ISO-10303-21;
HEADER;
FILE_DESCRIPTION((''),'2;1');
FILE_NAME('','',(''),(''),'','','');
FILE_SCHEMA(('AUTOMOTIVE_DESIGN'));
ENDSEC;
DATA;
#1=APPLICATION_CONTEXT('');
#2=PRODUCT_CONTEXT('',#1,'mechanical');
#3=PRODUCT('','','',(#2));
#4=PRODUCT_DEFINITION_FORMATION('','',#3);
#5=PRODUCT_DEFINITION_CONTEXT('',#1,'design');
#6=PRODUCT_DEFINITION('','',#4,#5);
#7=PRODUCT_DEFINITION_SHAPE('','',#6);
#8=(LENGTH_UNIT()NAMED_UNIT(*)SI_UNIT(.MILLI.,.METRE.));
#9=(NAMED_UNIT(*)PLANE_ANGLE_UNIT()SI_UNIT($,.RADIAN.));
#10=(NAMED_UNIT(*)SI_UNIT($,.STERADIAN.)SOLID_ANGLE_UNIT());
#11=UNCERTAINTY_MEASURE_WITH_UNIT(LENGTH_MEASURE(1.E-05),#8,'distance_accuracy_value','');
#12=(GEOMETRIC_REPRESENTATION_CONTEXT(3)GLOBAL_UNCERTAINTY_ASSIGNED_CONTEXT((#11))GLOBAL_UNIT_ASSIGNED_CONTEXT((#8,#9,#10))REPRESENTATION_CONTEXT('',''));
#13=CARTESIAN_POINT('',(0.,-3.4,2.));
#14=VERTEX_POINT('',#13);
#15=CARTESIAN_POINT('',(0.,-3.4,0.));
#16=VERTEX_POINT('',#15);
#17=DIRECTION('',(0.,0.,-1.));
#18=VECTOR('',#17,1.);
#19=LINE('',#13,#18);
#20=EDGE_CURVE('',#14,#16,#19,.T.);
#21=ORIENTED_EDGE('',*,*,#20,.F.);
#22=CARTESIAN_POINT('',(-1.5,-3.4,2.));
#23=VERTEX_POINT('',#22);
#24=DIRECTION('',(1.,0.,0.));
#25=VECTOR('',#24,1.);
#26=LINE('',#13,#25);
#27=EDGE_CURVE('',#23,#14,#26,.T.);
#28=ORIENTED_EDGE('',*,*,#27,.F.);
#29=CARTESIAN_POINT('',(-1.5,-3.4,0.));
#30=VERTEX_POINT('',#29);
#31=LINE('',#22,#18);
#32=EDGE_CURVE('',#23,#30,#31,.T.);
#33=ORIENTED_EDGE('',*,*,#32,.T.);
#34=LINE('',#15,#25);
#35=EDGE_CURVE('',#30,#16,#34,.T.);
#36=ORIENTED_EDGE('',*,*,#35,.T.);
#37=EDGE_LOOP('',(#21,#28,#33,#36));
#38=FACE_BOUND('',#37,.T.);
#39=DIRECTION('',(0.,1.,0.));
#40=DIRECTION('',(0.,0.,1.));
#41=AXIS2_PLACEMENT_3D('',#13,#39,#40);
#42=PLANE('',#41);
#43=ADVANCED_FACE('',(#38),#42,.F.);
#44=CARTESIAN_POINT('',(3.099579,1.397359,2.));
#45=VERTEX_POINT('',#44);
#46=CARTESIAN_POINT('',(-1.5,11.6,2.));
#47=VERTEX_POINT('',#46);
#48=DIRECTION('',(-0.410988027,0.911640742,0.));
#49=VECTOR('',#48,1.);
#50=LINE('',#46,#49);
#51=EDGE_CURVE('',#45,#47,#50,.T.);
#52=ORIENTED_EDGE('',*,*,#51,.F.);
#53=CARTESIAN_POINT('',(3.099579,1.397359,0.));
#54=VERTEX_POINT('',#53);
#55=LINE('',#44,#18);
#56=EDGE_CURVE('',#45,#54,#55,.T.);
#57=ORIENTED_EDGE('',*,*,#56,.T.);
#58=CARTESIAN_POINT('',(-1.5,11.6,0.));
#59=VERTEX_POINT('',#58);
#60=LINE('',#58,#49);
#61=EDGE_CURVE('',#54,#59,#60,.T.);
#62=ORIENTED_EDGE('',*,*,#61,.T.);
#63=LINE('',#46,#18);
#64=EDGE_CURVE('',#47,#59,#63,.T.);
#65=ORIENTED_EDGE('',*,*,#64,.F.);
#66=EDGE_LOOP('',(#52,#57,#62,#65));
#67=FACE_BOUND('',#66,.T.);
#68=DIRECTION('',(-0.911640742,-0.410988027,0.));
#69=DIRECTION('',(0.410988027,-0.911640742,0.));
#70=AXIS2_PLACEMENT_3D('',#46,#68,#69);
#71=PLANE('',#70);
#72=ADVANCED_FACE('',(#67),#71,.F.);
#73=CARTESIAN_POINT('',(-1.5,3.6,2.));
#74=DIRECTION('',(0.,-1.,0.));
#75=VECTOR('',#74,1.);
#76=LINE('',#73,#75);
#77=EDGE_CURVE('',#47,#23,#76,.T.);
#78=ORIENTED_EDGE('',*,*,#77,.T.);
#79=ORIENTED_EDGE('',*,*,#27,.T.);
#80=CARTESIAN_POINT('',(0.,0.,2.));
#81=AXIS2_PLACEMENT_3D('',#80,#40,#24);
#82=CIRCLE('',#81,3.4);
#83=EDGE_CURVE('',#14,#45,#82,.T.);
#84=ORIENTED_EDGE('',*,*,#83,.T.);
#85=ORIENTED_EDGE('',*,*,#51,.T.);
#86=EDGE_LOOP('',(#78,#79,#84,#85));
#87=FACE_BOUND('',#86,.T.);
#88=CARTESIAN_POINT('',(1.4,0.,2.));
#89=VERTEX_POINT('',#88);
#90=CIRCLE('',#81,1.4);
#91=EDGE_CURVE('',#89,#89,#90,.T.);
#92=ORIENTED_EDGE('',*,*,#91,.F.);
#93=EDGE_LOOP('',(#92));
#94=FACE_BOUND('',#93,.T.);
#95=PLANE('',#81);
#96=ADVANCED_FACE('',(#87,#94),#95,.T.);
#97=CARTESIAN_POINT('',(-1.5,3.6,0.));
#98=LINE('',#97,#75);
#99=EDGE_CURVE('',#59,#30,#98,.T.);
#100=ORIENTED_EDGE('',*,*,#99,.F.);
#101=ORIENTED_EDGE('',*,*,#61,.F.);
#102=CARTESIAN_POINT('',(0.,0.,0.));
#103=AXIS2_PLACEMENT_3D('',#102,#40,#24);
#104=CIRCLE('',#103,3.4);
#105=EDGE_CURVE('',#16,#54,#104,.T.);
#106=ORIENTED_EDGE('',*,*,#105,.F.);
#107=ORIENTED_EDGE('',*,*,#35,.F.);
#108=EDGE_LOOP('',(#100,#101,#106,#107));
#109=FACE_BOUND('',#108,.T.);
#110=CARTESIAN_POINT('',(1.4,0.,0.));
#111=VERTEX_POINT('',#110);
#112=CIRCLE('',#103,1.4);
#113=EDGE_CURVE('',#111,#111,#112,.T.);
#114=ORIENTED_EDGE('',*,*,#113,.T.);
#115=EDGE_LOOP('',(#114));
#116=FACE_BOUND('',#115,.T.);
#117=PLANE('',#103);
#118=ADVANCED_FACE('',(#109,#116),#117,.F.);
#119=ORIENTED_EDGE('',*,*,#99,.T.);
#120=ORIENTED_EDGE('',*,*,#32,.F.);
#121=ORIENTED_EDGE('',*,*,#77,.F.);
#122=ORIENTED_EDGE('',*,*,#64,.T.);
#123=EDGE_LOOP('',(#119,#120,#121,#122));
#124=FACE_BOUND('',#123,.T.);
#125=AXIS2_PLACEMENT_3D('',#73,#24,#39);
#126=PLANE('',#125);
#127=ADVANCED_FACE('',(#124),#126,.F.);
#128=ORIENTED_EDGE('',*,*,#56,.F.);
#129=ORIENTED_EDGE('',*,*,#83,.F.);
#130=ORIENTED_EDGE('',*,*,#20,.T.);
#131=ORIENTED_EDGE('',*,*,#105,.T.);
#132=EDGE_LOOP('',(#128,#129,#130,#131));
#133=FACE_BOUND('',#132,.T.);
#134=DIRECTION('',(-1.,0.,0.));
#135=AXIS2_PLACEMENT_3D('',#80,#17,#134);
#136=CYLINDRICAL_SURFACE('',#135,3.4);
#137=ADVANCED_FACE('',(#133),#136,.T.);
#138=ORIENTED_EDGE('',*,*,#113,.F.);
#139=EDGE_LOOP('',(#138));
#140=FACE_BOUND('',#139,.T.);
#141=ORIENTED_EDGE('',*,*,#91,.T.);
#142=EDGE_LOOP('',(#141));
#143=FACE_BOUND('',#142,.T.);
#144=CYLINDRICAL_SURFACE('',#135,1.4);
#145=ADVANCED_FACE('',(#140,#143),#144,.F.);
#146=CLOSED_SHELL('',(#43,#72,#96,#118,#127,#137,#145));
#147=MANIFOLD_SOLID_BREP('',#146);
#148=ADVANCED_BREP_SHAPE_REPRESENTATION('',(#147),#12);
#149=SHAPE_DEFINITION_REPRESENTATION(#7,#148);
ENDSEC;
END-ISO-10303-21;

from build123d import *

# Parameters (mm, degrees)
SKETCH1_R           = 1.4
BOSS_EXTRUDE1_DEPTH = 2


with BuildPart() as part:
    # Sketch1 → Boss-Extrude1 (new body)
    with BuildSketch(Plane.XY):
        with BuildLine():
            Line((-1.5, -3.4), (-1.5, -1.4))
            Line((-1.5, -1.4), (-1.5, 3.6))
            Line((-1.5, 3.6), (-1.5, 11.6))
            Line((-1.5, 11.6), (3.099578521, 1.397359292))
            ThreePointArc((3.099578521, 1.397359292), (2.855785495, -1.845125796), (0, -3.4))
            Line((0, -3.4), (-1.5, -3.4))
        make_face()
        Circle(SKETCH1_R, mode=Mode.SUBTRACT)
    extrude(amount=BOSS_EXTRUDE1_DEPTH)


solid = part.part
